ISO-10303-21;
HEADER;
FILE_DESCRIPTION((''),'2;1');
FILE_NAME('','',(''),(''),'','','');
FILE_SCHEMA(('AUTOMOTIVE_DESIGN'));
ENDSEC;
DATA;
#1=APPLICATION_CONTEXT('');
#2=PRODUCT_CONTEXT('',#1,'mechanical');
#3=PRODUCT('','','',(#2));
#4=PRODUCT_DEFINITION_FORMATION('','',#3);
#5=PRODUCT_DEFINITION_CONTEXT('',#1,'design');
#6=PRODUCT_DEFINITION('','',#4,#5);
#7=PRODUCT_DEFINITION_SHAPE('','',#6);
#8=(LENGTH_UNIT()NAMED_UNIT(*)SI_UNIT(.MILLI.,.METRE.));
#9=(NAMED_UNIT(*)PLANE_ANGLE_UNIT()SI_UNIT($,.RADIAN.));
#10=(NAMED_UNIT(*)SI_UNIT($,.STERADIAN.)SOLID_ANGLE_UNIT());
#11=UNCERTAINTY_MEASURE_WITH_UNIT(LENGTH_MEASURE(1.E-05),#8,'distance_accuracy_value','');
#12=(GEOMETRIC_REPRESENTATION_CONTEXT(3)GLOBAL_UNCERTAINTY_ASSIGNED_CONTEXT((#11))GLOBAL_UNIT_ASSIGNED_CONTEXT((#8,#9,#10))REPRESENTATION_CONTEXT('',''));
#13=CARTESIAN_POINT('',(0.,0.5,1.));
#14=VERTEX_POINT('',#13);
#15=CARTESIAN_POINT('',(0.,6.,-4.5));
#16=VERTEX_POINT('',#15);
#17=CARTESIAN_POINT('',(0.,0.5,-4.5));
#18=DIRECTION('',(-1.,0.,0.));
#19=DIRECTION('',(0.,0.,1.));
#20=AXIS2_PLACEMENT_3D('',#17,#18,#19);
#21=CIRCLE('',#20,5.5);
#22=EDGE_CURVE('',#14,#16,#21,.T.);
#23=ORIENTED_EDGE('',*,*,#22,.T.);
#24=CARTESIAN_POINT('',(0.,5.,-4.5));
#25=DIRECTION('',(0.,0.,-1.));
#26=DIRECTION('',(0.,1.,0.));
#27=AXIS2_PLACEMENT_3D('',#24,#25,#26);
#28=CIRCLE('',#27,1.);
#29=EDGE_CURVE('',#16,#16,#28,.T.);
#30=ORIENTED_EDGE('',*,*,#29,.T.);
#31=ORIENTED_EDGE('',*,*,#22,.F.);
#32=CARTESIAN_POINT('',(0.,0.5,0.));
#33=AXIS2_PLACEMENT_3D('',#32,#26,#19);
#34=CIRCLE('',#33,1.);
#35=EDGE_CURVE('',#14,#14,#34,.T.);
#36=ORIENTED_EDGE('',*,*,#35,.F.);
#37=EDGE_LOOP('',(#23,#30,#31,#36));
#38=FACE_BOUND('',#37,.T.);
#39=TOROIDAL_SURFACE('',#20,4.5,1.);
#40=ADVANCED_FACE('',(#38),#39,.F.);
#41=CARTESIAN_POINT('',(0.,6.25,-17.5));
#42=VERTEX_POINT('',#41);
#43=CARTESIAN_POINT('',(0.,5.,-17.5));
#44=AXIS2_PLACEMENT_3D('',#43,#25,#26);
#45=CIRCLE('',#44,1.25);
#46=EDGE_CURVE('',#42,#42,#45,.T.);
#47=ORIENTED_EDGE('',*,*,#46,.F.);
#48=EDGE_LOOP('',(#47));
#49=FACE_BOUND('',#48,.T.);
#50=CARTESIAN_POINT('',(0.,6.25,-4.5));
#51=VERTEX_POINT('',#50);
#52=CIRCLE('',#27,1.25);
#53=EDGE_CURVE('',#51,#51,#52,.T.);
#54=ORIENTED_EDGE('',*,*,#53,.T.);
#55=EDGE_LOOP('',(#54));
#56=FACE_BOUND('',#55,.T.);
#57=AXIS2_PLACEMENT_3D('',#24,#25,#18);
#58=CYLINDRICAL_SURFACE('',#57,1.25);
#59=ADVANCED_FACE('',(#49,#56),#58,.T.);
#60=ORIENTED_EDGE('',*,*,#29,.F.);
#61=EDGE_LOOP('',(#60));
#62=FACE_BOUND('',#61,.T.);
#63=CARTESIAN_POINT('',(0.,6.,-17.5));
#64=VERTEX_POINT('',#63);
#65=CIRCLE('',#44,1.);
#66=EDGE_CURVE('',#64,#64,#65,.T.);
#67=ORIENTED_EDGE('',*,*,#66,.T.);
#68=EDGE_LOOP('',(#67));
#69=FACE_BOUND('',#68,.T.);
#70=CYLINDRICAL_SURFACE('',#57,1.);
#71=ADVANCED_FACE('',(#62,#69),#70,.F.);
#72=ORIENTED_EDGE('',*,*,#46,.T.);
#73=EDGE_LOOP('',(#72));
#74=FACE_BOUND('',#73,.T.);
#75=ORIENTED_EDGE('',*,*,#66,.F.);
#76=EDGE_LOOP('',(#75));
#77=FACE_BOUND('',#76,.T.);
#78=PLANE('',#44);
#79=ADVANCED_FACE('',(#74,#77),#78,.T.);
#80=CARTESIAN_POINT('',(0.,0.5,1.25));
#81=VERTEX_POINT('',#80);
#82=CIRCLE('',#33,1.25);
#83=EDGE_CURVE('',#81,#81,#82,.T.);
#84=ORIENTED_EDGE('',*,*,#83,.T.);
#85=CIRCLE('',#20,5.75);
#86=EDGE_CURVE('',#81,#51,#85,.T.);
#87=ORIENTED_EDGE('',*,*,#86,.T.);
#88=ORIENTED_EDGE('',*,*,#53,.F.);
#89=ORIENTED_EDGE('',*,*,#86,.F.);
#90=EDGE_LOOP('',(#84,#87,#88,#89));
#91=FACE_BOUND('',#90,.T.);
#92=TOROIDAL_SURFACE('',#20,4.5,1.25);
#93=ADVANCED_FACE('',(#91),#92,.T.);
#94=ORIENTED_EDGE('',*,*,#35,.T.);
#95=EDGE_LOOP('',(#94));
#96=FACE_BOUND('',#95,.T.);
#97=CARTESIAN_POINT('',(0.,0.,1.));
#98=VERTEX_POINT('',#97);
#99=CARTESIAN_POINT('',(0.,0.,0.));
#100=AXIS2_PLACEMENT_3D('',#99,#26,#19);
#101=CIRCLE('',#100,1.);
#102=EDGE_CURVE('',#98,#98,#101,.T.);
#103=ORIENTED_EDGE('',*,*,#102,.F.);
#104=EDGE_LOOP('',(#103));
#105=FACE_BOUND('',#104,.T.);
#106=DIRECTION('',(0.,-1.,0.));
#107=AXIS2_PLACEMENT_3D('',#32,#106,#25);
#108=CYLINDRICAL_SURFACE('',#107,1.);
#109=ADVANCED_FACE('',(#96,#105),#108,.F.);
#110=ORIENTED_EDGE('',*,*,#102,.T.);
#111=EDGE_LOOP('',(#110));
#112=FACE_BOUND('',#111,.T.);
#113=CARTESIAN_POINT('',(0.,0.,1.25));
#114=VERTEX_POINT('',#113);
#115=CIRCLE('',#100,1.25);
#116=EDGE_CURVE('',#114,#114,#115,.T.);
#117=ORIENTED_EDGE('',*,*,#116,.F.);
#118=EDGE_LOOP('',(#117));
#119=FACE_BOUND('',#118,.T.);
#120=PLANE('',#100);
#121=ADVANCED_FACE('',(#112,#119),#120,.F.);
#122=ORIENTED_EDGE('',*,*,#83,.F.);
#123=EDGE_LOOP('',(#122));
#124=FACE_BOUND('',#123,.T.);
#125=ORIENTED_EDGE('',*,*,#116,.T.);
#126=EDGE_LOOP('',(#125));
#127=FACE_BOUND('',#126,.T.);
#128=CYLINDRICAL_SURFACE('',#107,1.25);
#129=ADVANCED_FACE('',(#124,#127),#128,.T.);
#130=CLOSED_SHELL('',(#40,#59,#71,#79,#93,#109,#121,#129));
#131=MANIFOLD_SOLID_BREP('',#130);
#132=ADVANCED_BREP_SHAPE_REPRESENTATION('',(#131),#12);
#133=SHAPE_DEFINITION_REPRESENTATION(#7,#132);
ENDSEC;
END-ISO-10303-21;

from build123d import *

# Parameters (mm, degrees)
SKIZZE2_R   = 1.25
SKIZZE2_R_2 = 1


with BuildPart() as part:
    # Austragung1: sweep along a path in Skizze1
    with BuildLine(Plane(origin=(0, 0, 0), x_dir=(0, 0, -1), z_dir=(1, 0, 0))) as austragung1_path:
        Line((0, 0), (0, 0.5))
        ThreePointArc((0, 0.5), (1.318019485, 3.681980515), (4.5, 5))
        Line((4.5, 5), (17.5, 5))
    # Skizze2 → Austragung1 (sweep)
    with BuildSketch(Plane(origin=(0, 0, 0), x_dir=(1, 0, 0), z_dir=(0, 1, 0))):
        Circle(SKIZZE2_R)
        Circle(SKIZZE2_R_2, mode=Mode.SUBTRACT)
    sweep(path=austragung1_path.line)


solid = part.part
